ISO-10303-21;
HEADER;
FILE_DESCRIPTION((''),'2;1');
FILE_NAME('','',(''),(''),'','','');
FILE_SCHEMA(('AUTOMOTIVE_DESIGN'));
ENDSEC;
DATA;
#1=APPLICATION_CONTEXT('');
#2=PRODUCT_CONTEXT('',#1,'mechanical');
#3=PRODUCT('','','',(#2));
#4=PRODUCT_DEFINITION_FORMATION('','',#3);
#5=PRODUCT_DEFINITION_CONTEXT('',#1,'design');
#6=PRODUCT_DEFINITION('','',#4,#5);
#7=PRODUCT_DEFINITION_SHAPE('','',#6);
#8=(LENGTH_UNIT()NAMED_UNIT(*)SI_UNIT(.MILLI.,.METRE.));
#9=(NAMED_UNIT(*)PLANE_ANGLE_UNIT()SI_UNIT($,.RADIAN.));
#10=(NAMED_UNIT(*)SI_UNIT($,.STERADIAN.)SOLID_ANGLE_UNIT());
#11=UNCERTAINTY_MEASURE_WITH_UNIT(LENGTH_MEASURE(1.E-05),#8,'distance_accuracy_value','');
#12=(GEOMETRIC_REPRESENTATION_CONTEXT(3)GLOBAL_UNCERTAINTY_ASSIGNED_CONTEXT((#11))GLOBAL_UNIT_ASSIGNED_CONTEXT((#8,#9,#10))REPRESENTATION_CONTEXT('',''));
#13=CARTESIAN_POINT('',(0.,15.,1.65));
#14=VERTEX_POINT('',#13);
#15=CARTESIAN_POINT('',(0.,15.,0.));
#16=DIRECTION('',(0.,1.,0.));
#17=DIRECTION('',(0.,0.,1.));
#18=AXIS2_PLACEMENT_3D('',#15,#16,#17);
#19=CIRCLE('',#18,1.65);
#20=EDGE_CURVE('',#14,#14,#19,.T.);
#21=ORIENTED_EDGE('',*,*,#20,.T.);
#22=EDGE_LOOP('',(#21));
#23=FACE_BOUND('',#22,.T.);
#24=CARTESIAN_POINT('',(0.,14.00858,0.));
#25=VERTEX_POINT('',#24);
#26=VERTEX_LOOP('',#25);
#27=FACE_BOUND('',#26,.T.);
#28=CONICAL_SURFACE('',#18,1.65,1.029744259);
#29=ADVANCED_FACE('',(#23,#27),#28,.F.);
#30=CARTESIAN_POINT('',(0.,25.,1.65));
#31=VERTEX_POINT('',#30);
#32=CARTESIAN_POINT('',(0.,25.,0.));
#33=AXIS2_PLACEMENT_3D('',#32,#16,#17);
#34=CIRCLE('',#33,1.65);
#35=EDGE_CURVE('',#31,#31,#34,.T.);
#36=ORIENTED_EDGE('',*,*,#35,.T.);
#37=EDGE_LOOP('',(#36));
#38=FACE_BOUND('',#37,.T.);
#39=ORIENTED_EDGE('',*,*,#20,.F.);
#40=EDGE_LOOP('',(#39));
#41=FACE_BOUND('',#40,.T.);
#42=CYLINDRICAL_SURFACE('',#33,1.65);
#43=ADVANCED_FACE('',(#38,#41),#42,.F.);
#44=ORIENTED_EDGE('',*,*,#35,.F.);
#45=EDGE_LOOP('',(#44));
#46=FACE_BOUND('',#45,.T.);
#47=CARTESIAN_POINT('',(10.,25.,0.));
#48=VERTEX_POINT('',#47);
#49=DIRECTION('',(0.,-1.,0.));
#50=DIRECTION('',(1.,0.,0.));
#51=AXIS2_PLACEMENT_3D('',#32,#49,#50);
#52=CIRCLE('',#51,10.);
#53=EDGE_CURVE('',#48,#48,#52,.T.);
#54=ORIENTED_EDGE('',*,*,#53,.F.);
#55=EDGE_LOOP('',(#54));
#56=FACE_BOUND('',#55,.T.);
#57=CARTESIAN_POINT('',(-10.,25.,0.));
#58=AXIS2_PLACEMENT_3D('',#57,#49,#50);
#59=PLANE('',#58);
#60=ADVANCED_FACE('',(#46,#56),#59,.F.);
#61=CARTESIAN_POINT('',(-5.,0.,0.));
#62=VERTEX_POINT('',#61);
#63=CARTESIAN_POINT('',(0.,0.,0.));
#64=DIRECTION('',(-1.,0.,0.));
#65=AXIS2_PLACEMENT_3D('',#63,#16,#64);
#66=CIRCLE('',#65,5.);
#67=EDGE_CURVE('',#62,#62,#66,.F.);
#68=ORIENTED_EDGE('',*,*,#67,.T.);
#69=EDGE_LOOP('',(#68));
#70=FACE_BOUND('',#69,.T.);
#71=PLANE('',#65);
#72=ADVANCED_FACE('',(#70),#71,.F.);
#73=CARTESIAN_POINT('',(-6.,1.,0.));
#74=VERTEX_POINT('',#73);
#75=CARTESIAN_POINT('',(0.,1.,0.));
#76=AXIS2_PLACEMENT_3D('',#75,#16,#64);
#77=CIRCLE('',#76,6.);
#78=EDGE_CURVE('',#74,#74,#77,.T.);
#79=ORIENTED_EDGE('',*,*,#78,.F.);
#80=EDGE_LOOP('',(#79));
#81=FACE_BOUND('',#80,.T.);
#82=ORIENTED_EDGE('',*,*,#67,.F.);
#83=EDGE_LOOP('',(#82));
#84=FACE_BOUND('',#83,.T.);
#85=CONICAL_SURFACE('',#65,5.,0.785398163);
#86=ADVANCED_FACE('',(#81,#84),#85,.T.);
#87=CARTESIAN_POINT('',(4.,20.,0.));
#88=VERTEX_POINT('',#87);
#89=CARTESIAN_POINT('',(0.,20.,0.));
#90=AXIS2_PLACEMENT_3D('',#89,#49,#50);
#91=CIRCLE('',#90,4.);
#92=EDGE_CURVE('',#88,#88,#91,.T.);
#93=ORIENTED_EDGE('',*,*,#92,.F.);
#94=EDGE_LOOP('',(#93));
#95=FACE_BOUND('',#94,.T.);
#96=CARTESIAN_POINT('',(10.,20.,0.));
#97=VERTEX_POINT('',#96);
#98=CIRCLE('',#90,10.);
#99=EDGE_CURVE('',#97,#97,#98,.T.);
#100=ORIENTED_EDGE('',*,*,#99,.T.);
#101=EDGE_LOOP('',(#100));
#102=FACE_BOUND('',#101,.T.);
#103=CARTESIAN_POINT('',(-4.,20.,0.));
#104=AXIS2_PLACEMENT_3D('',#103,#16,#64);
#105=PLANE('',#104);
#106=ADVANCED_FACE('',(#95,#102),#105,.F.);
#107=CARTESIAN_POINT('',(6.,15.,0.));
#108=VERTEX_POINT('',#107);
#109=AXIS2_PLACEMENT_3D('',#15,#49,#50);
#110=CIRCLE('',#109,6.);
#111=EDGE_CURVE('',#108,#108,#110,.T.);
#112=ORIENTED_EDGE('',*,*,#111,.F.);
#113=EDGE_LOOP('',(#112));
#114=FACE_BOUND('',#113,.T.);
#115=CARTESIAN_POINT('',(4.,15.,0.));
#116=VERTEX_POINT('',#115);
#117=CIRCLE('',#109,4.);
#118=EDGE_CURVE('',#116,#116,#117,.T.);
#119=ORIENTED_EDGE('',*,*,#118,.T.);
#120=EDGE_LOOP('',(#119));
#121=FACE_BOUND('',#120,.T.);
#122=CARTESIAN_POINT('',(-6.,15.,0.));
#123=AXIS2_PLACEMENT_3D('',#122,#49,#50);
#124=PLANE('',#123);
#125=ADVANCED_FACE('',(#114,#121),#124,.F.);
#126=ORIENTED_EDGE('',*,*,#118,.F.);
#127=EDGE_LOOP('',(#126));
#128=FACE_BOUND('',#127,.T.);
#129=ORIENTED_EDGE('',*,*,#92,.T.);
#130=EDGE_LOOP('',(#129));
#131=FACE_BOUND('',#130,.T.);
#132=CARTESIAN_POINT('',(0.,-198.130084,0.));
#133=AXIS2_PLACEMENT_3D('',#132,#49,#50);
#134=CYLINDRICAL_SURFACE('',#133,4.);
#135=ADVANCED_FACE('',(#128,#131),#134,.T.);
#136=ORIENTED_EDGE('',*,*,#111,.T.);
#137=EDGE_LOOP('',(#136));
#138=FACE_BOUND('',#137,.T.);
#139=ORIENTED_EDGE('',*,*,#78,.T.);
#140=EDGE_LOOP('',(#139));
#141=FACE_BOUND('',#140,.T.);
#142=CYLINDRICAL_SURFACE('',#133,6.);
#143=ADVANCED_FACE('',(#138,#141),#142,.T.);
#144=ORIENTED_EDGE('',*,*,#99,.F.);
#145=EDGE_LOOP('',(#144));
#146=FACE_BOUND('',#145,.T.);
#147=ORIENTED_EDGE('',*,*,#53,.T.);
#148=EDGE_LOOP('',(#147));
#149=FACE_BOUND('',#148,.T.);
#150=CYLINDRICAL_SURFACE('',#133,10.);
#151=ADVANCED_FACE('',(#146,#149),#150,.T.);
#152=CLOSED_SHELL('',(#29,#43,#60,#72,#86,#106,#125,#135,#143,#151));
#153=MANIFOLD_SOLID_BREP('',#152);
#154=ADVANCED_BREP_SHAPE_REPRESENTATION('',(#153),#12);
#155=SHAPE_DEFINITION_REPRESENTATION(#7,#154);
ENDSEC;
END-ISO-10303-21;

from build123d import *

# Parameters (mm, degrees)
CHAMFER_1_SIZE         = 1
HOLE_WIZARD_M4_1_D     = 3.3
HOLE_WIZARD_M4_1_DEPTH = 10
HOLE_WIZARD_M4_1_TIP   = 0.991420021


with BuildPart() as part:
    # 草图1 → 旋转1 (revolve)
    with BuildSketch(Plane.XY, mode=Mode.PRIVATE) as revolve_1_sk:
        Polygon((0, 0), (-6, 0), (-6, 15), (-4, 15), (-4, 20), (-10, 20), (-10, 25), (0, 25), align=None)
    revolve(revolve_1_sk.sketch.rotate(Axis((0, -198.13008407, 0), (0, 1, 0)), 180), axis=Axis((0, -198.13008407, 0), (0, 1, 0)))

    # 倒角1
    chamfer_1_edges = [part.edges().sort_by_distance(p)[0] for p in [
        (-6, 0, 0),
    ]]
    chamfer(chamfer_1_edges, length=CHAMFER_1_SIZE)

    # M4 螺纹孔1
    with Locations(Plane(origin=(0, 25, 0), x_dir=(1, 0, 0), z_dir=(0, 1, 0))):
        with Locations((0, 0)):
            Hole(HOLE_WIZARD_M4_1_D / 2, depth=HOLE_WIZARD_M4_1_DEPTH)
            with Locations((0, 0, -(HOLE_WIZARD_M4_1_DEPTH + HOLE_WIZARD_M4_1_TIP / 2))):  # 118° drill point
                Cone(0, HOLE_WIZARD_M4_1_D / 2, HOLE_WIZARD_M4_1_TIP, mode=Mode.SUBTRACT)


solid = part.part
